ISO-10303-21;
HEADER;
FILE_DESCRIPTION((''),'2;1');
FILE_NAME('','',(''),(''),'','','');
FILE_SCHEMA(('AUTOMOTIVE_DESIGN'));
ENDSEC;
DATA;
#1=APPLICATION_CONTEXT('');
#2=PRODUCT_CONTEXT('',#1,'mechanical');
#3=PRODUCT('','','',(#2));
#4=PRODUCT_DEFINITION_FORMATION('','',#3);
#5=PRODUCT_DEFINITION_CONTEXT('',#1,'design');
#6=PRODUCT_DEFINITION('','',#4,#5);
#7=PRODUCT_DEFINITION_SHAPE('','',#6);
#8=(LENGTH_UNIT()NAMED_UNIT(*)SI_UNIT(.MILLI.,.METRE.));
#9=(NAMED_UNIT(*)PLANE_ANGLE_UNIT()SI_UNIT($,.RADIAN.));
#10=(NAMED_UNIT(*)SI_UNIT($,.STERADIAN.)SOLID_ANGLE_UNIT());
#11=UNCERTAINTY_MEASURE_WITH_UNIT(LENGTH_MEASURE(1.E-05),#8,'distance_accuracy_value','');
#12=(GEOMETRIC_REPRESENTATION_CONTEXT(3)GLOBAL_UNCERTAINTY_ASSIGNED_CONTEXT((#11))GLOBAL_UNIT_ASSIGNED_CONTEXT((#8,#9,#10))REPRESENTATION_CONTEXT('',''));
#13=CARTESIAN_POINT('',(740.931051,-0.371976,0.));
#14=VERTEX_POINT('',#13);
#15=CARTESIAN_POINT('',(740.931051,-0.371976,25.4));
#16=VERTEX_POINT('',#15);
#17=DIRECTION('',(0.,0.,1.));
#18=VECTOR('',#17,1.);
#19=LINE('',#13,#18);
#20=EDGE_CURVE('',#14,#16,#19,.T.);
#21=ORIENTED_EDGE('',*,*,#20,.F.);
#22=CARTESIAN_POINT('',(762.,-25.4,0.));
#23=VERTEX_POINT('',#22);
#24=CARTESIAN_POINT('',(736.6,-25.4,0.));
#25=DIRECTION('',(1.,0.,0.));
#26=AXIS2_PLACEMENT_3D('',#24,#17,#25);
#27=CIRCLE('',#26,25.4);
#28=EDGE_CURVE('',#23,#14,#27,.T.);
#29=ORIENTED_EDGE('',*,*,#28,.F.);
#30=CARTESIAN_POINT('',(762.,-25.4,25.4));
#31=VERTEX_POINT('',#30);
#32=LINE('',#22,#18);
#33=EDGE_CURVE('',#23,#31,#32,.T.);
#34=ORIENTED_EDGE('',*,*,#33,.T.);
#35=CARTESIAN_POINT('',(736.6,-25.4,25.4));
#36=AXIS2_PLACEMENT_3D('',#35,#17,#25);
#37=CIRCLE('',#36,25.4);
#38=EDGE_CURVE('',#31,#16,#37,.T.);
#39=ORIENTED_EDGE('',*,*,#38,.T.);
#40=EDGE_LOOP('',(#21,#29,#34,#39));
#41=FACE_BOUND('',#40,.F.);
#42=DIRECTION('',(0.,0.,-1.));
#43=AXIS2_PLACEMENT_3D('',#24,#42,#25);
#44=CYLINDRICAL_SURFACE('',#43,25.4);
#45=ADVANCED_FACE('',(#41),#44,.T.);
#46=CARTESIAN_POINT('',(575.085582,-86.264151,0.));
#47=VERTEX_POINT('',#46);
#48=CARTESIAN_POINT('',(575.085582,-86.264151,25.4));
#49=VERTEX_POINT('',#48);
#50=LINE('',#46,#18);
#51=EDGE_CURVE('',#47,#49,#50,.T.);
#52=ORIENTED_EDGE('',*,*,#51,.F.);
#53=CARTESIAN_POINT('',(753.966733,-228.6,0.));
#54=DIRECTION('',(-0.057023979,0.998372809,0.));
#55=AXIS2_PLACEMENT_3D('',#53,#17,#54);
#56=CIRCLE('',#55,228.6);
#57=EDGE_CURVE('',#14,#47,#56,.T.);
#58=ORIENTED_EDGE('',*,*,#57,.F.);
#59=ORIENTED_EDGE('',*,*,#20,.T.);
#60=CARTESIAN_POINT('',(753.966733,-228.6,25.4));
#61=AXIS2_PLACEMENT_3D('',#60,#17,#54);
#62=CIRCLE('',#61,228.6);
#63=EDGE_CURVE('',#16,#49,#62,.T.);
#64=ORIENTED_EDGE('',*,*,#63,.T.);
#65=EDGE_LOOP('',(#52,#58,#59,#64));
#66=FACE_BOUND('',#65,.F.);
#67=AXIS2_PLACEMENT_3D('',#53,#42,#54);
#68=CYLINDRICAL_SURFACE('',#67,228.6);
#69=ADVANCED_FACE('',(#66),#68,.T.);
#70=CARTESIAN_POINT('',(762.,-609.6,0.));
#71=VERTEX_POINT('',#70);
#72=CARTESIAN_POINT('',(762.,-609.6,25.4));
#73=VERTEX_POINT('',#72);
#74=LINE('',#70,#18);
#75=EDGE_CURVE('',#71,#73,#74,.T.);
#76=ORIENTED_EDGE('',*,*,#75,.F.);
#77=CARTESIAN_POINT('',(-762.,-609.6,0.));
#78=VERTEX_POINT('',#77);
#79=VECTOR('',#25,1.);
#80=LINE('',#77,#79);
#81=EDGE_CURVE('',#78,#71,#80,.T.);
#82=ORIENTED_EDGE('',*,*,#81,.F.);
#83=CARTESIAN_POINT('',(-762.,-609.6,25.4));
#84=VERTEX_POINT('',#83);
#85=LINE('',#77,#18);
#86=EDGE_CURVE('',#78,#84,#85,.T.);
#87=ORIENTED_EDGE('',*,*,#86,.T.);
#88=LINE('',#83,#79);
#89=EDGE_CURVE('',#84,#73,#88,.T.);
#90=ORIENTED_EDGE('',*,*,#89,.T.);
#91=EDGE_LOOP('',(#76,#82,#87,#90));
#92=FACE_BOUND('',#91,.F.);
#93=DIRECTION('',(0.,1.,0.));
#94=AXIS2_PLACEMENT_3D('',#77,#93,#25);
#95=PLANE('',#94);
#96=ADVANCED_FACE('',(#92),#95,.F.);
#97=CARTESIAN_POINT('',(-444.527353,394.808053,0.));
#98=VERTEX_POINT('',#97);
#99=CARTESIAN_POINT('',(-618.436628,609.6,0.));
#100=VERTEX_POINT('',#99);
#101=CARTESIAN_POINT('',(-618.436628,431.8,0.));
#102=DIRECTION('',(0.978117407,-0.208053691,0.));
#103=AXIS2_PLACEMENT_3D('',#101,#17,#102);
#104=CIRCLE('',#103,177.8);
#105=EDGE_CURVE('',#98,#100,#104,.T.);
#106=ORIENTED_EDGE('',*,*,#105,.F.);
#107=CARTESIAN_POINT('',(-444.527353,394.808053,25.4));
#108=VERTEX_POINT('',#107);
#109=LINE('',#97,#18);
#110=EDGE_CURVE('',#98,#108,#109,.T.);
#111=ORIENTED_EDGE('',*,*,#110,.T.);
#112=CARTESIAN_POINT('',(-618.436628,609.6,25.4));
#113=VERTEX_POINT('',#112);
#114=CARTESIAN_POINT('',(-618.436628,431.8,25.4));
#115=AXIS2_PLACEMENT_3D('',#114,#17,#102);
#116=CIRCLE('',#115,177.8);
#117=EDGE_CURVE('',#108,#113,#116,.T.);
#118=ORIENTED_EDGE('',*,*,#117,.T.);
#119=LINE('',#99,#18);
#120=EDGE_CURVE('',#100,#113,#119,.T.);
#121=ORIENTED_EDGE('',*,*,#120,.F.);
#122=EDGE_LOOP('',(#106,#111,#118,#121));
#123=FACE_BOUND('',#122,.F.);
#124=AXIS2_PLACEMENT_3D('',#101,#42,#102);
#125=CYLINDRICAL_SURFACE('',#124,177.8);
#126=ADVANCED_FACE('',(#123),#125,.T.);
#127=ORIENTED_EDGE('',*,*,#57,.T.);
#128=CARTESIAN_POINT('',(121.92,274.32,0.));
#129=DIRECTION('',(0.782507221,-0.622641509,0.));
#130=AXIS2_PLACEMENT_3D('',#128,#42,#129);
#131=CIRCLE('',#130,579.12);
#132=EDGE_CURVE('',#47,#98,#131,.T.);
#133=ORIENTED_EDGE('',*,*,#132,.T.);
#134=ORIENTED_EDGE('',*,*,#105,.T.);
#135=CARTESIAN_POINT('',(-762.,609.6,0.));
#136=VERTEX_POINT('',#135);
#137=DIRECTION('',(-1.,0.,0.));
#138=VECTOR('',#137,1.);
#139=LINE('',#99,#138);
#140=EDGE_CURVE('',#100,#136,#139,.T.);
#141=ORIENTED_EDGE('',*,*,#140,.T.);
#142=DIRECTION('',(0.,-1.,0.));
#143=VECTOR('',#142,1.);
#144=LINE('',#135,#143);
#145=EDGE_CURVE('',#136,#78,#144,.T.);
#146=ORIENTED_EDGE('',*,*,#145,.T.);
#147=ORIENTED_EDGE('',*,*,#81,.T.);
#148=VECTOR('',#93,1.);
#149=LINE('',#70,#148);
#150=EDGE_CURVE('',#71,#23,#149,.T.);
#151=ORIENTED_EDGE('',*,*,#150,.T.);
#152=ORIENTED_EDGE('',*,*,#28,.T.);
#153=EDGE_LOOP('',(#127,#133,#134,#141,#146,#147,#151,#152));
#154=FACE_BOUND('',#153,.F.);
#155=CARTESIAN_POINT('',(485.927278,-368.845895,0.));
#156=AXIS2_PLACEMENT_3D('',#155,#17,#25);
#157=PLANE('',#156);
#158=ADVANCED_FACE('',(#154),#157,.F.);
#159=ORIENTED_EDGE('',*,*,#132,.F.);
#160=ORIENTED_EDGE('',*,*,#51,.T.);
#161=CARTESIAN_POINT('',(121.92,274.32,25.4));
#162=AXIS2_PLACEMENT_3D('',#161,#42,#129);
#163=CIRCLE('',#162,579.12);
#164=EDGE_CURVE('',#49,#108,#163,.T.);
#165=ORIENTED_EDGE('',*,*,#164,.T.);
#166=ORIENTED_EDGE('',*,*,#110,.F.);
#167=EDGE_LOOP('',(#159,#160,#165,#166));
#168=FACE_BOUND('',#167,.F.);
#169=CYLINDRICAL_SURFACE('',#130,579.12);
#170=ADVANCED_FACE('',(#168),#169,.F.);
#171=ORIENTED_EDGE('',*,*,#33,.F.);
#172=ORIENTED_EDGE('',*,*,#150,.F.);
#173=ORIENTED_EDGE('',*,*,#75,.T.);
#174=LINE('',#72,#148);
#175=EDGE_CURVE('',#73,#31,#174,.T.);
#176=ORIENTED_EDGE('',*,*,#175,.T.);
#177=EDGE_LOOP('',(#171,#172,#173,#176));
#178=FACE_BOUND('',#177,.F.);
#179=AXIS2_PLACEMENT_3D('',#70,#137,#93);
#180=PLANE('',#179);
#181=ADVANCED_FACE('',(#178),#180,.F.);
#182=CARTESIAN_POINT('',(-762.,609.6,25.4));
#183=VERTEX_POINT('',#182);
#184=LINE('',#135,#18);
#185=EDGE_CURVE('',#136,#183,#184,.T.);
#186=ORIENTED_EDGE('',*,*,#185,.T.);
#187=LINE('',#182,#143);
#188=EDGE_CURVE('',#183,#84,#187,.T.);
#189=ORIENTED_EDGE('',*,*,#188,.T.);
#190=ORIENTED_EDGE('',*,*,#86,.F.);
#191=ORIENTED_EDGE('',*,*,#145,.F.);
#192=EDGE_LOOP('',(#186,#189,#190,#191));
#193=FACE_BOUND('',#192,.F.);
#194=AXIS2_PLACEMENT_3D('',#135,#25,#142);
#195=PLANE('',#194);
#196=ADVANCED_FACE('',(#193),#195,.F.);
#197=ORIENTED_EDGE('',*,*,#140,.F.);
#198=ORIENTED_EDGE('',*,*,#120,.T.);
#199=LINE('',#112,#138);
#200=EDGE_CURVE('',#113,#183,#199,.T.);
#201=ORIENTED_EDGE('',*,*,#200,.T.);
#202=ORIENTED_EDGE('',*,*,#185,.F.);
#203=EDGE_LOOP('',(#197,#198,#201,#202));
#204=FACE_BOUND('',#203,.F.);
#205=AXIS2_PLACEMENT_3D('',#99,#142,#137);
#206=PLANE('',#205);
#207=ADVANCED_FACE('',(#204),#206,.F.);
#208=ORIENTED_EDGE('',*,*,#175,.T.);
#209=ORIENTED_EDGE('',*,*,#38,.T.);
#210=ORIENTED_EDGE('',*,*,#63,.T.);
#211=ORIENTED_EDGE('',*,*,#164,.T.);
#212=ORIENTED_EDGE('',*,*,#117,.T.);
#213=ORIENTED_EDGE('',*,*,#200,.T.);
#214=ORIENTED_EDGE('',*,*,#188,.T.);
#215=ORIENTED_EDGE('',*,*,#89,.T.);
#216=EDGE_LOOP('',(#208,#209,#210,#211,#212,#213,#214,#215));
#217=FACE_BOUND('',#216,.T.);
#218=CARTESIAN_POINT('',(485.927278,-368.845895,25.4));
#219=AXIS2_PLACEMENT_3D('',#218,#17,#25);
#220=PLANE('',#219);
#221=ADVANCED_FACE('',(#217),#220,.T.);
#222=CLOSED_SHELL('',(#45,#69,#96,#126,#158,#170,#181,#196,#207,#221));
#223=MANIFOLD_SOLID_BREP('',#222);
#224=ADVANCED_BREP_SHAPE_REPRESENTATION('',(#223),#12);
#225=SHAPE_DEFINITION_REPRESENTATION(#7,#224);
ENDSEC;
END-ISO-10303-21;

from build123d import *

# Parameters (mm, degrees)
F1_DEPTH = 25.4


with BuildPart() as f1:
    # F0 (on Top) → F1 (new body)
    with BuildSketch(Plane.XY):
        with BuildLine():
            Line((121.92, -609.5999997587), (762, -609.5999997587))
            Line((762, -609.5999997587), (762, -25.3999998058))
            ThreePointArc((762, -25.3999998058), (756.0315298347, -9.0422601), (740.9310513162, -0.371975623))
            ThreePointArc((740.9310513162, -0.371975623), (648.8364133525, -25.6084336229), (575.085582023, -86.2641508494))
            ThreePointArc((575.085582023, -86.2641508494), (373.473653422, -247.312757888), (121.92, -304.8000002413))
            Line((121.92, -304.8000002413), (121.92, -609.5999997587))
        make_face()
        with BuildLine():
            Line((-762, -609.5999997587), (121.92, -609.5999997587))
            Line((121.92, -609.5999997587), (121.92, -304.8000002413))
            ThreePointArc((121.92, -304.8000002413), (-328.1672226878, -90.0993553436), (-444.5273526443, 394.80805345))
            ThreePointArc((-444.5273526443, 394.80805345), (-480.2519539467, 543.6831350971), (-618.4366275789, 609.5999997587))
            Line((-618.4366275789, 609.5999997587), (-762, 609.5999997587))
            Line((-762, 609.5999997587), (-762, -609.5999997587))
        make_face()
    extrude(amount=F1_DEPTH)


solid = f1.part
